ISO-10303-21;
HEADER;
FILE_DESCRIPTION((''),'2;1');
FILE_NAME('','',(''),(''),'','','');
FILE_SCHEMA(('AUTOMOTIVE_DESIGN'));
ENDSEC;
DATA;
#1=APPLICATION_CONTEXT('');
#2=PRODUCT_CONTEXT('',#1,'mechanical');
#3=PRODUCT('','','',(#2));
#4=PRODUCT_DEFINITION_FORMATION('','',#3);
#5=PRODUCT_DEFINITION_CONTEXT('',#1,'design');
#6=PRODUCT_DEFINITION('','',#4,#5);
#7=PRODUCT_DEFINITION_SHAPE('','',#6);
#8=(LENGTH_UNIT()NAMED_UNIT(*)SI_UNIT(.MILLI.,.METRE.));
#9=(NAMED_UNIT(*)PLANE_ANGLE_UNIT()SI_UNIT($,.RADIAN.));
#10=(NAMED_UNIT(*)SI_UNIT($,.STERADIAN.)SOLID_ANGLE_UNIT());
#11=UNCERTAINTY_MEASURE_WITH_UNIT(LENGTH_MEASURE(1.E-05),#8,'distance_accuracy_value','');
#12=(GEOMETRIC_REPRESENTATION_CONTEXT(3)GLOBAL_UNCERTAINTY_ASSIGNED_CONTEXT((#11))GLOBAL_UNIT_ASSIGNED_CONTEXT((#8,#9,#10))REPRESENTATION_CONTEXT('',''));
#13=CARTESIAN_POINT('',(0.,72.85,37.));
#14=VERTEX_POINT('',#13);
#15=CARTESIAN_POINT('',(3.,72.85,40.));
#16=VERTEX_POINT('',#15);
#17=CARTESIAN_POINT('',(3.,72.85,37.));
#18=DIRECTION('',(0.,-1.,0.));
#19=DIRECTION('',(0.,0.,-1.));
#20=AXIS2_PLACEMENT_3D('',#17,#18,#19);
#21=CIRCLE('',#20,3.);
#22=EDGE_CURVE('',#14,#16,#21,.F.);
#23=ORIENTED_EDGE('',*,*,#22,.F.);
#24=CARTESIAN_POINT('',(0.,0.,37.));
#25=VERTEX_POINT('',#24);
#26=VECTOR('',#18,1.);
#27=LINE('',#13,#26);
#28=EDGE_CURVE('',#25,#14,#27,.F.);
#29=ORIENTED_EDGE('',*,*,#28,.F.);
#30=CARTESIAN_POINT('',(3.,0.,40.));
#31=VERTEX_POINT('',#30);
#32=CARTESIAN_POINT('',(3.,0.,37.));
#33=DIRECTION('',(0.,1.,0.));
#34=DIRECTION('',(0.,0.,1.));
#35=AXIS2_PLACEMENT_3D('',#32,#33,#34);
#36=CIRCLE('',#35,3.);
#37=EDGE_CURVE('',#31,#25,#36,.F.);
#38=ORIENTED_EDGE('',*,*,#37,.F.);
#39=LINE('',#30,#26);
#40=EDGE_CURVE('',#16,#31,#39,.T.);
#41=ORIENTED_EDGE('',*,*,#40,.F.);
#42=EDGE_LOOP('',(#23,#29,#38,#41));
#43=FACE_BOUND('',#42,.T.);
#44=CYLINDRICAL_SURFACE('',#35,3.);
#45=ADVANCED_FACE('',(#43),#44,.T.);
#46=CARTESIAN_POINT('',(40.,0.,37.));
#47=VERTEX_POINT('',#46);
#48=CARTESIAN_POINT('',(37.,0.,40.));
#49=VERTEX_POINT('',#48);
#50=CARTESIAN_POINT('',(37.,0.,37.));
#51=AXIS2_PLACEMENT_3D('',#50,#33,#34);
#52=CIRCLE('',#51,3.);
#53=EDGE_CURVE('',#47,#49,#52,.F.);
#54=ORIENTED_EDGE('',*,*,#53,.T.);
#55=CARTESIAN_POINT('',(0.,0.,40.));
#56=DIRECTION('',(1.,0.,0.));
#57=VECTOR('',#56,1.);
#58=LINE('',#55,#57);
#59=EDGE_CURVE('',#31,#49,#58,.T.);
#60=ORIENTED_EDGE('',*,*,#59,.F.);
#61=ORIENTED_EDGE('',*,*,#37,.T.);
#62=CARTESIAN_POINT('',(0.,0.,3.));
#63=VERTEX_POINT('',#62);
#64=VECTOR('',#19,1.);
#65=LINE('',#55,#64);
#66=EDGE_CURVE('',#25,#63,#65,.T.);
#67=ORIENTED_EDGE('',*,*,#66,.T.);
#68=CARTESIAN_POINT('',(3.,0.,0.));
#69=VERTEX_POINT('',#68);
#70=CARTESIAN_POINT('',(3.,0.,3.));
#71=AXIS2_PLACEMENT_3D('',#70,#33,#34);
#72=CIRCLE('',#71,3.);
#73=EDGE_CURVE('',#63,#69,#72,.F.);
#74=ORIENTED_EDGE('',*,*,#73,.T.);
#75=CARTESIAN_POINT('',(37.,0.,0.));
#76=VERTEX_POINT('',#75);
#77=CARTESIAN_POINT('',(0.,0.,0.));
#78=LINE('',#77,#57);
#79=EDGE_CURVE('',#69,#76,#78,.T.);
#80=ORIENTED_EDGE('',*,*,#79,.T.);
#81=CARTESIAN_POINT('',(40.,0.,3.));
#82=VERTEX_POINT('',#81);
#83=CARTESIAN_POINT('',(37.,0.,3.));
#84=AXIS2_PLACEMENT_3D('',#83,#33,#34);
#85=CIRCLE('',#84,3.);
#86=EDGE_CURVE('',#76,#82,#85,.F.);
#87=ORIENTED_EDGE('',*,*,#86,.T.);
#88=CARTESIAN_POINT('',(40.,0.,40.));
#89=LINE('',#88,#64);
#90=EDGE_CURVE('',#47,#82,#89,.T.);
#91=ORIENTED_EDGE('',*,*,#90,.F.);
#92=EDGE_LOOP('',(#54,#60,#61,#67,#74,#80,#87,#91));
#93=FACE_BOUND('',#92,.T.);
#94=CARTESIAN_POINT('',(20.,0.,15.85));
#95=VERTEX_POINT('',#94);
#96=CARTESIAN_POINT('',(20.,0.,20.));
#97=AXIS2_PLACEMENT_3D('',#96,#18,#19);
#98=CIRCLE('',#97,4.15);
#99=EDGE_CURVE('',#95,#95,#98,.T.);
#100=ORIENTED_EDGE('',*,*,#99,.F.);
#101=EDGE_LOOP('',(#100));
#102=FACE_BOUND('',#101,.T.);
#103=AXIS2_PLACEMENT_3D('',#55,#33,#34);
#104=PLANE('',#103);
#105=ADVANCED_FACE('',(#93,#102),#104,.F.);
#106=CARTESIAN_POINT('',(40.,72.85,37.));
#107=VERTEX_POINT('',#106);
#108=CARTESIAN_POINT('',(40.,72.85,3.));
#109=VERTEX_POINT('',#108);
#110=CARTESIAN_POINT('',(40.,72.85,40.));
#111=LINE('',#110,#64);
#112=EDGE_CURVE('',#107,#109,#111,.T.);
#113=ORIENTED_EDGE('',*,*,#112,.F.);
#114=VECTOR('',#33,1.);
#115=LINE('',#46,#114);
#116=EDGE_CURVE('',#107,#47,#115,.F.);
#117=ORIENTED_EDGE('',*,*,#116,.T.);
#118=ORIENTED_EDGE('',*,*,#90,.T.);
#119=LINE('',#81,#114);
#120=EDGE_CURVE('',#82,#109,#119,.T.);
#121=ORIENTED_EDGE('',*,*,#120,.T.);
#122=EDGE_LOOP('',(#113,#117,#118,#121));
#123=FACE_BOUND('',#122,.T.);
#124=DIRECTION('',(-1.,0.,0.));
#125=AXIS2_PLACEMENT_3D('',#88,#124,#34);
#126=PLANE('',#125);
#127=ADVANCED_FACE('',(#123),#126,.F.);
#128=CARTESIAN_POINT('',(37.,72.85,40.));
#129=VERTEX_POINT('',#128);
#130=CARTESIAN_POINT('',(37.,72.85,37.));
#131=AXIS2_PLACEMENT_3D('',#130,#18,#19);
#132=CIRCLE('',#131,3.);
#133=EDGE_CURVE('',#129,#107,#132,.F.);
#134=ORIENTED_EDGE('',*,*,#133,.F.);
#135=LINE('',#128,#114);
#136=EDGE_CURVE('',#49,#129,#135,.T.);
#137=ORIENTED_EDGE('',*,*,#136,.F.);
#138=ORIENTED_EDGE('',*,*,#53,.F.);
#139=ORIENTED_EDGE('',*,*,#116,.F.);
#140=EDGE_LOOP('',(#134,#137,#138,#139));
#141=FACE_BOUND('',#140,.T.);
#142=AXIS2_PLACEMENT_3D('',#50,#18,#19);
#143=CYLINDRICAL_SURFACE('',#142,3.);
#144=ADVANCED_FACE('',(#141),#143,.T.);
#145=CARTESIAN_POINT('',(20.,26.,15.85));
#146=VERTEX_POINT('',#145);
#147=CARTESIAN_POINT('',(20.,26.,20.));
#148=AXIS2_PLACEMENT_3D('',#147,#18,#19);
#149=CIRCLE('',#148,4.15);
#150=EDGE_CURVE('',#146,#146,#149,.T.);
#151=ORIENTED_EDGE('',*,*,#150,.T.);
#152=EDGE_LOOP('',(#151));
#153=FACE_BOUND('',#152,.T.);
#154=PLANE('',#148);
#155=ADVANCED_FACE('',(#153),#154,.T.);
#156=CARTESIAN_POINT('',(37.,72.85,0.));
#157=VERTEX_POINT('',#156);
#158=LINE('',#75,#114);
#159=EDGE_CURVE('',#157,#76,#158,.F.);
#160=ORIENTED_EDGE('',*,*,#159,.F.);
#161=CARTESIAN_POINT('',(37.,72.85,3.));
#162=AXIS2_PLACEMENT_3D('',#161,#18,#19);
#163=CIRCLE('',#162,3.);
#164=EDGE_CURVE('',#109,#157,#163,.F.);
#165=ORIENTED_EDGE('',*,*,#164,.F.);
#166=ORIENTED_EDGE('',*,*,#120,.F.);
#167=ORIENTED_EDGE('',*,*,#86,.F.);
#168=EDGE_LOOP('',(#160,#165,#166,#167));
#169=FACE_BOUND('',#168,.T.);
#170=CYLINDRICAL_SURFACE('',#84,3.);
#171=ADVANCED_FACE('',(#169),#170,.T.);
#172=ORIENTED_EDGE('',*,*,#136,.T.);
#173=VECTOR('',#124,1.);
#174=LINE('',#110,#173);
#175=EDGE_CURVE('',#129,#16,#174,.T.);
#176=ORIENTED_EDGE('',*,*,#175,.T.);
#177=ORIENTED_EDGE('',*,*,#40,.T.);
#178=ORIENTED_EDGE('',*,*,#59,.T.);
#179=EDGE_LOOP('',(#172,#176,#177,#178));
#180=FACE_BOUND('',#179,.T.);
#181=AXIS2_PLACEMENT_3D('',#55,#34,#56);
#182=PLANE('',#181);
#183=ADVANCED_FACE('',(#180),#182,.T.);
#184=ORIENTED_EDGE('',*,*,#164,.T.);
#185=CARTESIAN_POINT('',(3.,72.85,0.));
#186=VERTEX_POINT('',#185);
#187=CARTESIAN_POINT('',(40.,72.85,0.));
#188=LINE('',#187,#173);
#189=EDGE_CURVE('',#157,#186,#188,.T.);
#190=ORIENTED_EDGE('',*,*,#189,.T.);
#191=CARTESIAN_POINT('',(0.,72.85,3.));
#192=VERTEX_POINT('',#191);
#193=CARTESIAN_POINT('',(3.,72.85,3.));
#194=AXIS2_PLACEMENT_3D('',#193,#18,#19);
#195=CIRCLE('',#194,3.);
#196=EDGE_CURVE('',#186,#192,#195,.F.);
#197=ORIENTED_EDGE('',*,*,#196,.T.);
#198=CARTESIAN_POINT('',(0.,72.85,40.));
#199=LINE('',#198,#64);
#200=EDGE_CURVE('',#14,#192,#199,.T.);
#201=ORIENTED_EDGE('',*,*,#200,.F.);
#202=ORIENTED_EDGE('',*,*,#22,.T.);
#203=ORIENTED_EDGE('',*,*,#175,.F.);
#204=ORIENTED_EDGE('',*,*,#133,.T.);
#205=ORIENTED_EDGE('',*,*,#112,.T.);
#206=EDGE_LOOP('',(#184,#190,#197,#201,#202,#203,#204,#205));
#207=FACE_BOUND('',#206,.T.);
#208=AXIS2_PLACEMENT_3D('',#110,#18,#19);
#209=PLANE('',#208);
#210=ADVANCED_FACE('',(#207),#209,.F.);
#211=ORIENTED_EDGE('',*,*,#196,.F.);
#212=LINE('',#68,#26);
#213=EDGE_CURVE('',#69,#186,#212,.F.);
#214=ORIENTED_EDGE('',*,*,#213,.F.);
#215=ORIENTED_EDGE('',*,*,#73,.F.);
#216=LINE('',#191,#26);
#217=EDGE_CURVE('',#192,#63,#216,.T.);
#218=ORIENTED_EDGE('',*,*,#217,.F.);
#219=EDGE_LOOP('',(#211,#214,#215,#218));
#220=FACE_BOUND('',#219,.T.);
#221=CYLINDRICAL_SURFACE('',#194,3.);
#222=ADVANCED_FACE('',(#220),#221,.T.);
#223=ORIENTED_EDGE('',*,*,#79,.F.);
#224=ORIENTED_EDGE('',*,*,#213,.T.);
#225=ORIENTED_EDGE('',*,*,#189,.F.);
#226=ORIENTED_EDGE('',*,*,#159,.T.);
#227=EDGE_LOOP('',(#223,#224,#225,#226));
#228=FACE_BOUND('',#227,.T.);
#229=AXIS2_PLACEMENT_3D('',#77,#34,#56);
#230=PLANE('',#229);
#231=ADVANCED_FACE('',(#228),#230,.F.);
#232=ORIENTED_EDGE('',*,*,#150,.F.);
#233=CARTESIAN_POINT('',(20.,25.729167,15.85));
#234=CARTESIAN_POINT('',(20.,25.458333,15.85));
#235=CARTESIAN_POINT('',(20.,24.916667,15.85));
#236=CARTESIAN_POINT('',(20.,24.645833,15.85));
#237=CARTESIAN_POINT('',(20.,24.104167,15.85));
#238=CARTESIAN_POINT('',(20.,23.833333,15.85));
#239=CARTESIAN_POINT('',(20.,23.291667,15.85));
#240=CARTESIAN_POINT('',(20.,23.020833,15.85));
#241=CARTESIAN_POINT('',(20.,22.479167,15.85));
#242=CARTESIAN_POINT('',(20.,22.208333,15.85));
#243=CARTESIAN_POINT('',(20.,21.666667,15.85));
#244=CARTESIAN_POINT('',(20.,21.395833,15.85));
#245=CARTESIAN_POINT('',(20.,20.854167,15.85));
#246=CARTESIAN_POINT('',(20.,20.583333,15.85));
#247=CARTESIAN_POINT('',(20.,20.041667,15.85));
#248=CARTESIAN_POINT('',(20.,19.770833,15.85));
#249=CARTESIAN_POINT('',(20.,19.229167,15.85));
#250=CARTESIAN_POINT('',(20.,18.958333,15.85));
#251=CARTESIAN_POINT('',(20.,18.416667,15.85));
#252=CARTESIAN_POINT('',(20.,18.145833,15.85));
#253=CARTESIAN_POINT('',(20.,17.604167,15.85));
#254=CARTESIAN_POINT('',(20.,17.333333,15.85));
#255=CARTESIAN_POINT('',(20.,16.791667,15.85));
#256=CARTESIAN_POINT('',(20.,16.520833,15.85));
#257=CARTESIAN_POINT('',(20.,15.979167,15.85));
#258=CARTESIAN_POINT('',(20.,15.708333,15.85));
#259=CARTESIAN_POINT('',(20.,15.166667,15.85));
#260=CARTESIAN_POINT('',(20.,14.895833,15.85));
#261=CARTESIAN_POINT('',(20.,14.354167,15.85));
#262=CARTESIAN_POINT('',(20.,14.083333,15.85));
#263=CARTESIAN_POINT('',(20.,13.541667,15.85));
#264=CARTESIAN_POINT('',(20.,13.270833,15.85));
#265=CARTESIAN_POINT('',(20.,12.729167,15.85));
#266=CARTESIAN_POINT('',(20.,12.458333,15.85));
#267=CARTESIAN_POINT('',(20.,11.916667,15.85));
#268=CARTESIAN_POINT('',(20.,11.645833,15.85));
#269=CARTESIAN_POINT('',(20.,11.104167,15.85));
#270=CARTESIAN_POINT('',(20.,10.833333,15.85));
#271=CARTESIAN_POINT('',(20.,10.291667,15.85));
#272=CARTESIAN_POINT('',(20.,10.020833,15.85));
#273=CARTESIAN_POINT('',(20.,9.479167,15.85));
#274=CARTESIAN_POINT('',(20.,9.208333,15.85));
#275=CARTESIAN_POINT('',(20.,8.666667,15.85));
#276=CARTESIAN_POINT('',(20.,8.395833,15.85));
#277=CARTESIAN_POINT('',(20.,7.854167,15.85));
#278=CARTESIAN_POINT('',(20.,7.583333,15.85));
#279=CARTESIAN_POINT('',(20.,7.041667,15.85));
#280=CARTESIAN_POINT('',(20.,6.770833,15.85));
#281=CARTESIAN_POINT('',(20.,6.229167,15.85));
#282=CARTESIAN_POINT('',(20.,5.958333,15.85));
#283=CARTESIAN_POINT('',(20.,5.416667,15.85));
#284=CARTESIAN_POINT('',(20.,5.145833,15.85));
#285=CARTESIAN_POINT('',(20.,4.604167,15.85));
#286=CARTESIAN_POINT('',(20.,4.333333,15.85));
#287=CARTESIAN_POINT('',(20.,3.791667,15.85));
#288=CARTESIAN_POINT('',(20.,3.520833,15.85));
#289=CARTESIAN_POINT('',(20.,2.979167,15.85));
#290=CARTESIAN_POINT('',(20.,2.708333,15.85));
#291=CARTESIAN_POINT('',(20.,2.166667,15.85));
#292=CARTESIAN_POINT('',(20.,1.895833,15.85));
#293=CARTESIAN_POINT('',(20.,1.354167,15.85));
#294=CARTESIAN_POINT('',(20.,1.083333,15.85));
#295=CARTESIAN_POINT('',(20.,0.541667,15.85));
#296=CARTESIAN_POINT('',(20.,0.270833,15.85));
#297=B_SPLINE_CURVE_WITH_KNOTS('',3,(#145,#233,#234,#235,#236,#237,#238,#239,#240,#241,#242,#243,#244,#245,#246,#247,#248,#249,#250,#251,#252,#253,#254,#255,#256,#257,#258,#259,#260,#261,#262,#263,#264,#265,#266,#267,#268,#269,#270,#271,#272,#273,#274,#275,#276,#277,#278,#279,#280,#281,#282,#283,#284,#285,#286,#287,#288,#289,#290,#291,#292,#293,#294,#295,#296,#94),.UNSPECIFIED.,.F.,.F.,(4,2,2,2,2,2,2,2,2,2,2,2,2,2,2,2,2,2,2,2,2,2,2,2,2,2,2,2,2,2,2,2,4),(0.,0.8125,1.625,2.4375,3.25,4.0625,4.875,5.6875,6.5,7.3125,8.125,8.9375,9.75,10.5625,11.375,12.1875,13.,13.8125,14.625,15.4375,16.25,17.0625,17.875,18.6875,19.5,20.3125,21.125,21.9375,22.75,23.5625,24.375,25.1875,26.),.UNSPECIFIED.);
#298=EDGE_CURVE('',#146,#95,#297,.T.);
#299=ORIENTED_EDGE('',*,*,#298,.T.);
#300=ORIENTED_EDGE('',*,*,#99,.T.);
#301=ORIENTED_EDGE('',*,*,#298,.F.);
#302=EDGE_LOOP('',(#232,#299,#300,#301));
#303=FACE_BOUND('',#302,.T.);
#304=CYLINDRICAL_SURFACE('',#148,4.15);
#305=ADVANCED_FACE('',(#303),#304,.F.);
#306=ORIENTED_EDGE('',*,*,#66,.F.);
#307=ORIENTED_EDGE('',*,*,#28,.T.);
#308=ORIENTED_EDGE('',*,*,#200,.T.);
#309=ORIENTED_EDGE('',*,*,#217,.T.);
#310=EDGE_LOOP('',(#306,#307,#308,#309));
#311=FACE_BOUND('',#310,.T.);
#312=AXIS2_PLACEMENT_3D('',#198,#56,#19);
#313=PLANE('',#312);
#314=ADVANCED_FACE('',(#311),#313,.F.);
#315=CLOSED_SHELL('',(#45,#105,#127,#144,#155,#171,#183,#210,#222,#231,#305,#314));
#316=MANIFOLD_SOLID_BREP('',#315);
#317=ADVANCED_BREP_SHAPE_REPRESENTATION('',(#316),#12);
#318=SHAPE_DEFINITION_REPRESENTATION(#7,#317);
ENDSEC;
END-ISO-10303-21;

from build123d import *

# Parameters (mm, degrees)
SKETCH_1_W               = 40
SKETCH_1_H               = 72.85
BLOCKEXTRUDE_DEPTH       = 40
FILLET_2_R               = 3
SKETCH_2_R               = 4.15
MOTOR_SHAFT_SOCKET_DEPTH = 26


with BuildPart() as part:
    # 草图1 → BlockExtrude (new body)
    with BuildSketch(Plane.XY):
        with Locations((20, 36.425)):
            Rectangle(SKETCH_1_W, SKETCH_1_H)
    extrude(amount=BLOCKEXTRUDE_DEPTH)

    # Fillet 2
    fillet_2_edges = [part.edges().sort_by_distance(p)[0] for p in [
        (40, 36.425, 40),
        (0, 36.425, 40),
        (40, 36.425, 0),
        (0, 36.425, 0),
    ]]
    fillet(fillet_2_edges, radius=FILLET_2_R)

    # 草图2 → Motor_shaft_socket (cut)
    with BuildSketch(Plane.XZ):
        with Locations(Location((20, 20, 0), (0, 0, 270))):
            Circle(SKETCH_2_R)
    extrude(amount=-MOTOR_SHAFT_SOCKET_DEPTH, mode=Mode.SUBTRACT)


solid = part.part
